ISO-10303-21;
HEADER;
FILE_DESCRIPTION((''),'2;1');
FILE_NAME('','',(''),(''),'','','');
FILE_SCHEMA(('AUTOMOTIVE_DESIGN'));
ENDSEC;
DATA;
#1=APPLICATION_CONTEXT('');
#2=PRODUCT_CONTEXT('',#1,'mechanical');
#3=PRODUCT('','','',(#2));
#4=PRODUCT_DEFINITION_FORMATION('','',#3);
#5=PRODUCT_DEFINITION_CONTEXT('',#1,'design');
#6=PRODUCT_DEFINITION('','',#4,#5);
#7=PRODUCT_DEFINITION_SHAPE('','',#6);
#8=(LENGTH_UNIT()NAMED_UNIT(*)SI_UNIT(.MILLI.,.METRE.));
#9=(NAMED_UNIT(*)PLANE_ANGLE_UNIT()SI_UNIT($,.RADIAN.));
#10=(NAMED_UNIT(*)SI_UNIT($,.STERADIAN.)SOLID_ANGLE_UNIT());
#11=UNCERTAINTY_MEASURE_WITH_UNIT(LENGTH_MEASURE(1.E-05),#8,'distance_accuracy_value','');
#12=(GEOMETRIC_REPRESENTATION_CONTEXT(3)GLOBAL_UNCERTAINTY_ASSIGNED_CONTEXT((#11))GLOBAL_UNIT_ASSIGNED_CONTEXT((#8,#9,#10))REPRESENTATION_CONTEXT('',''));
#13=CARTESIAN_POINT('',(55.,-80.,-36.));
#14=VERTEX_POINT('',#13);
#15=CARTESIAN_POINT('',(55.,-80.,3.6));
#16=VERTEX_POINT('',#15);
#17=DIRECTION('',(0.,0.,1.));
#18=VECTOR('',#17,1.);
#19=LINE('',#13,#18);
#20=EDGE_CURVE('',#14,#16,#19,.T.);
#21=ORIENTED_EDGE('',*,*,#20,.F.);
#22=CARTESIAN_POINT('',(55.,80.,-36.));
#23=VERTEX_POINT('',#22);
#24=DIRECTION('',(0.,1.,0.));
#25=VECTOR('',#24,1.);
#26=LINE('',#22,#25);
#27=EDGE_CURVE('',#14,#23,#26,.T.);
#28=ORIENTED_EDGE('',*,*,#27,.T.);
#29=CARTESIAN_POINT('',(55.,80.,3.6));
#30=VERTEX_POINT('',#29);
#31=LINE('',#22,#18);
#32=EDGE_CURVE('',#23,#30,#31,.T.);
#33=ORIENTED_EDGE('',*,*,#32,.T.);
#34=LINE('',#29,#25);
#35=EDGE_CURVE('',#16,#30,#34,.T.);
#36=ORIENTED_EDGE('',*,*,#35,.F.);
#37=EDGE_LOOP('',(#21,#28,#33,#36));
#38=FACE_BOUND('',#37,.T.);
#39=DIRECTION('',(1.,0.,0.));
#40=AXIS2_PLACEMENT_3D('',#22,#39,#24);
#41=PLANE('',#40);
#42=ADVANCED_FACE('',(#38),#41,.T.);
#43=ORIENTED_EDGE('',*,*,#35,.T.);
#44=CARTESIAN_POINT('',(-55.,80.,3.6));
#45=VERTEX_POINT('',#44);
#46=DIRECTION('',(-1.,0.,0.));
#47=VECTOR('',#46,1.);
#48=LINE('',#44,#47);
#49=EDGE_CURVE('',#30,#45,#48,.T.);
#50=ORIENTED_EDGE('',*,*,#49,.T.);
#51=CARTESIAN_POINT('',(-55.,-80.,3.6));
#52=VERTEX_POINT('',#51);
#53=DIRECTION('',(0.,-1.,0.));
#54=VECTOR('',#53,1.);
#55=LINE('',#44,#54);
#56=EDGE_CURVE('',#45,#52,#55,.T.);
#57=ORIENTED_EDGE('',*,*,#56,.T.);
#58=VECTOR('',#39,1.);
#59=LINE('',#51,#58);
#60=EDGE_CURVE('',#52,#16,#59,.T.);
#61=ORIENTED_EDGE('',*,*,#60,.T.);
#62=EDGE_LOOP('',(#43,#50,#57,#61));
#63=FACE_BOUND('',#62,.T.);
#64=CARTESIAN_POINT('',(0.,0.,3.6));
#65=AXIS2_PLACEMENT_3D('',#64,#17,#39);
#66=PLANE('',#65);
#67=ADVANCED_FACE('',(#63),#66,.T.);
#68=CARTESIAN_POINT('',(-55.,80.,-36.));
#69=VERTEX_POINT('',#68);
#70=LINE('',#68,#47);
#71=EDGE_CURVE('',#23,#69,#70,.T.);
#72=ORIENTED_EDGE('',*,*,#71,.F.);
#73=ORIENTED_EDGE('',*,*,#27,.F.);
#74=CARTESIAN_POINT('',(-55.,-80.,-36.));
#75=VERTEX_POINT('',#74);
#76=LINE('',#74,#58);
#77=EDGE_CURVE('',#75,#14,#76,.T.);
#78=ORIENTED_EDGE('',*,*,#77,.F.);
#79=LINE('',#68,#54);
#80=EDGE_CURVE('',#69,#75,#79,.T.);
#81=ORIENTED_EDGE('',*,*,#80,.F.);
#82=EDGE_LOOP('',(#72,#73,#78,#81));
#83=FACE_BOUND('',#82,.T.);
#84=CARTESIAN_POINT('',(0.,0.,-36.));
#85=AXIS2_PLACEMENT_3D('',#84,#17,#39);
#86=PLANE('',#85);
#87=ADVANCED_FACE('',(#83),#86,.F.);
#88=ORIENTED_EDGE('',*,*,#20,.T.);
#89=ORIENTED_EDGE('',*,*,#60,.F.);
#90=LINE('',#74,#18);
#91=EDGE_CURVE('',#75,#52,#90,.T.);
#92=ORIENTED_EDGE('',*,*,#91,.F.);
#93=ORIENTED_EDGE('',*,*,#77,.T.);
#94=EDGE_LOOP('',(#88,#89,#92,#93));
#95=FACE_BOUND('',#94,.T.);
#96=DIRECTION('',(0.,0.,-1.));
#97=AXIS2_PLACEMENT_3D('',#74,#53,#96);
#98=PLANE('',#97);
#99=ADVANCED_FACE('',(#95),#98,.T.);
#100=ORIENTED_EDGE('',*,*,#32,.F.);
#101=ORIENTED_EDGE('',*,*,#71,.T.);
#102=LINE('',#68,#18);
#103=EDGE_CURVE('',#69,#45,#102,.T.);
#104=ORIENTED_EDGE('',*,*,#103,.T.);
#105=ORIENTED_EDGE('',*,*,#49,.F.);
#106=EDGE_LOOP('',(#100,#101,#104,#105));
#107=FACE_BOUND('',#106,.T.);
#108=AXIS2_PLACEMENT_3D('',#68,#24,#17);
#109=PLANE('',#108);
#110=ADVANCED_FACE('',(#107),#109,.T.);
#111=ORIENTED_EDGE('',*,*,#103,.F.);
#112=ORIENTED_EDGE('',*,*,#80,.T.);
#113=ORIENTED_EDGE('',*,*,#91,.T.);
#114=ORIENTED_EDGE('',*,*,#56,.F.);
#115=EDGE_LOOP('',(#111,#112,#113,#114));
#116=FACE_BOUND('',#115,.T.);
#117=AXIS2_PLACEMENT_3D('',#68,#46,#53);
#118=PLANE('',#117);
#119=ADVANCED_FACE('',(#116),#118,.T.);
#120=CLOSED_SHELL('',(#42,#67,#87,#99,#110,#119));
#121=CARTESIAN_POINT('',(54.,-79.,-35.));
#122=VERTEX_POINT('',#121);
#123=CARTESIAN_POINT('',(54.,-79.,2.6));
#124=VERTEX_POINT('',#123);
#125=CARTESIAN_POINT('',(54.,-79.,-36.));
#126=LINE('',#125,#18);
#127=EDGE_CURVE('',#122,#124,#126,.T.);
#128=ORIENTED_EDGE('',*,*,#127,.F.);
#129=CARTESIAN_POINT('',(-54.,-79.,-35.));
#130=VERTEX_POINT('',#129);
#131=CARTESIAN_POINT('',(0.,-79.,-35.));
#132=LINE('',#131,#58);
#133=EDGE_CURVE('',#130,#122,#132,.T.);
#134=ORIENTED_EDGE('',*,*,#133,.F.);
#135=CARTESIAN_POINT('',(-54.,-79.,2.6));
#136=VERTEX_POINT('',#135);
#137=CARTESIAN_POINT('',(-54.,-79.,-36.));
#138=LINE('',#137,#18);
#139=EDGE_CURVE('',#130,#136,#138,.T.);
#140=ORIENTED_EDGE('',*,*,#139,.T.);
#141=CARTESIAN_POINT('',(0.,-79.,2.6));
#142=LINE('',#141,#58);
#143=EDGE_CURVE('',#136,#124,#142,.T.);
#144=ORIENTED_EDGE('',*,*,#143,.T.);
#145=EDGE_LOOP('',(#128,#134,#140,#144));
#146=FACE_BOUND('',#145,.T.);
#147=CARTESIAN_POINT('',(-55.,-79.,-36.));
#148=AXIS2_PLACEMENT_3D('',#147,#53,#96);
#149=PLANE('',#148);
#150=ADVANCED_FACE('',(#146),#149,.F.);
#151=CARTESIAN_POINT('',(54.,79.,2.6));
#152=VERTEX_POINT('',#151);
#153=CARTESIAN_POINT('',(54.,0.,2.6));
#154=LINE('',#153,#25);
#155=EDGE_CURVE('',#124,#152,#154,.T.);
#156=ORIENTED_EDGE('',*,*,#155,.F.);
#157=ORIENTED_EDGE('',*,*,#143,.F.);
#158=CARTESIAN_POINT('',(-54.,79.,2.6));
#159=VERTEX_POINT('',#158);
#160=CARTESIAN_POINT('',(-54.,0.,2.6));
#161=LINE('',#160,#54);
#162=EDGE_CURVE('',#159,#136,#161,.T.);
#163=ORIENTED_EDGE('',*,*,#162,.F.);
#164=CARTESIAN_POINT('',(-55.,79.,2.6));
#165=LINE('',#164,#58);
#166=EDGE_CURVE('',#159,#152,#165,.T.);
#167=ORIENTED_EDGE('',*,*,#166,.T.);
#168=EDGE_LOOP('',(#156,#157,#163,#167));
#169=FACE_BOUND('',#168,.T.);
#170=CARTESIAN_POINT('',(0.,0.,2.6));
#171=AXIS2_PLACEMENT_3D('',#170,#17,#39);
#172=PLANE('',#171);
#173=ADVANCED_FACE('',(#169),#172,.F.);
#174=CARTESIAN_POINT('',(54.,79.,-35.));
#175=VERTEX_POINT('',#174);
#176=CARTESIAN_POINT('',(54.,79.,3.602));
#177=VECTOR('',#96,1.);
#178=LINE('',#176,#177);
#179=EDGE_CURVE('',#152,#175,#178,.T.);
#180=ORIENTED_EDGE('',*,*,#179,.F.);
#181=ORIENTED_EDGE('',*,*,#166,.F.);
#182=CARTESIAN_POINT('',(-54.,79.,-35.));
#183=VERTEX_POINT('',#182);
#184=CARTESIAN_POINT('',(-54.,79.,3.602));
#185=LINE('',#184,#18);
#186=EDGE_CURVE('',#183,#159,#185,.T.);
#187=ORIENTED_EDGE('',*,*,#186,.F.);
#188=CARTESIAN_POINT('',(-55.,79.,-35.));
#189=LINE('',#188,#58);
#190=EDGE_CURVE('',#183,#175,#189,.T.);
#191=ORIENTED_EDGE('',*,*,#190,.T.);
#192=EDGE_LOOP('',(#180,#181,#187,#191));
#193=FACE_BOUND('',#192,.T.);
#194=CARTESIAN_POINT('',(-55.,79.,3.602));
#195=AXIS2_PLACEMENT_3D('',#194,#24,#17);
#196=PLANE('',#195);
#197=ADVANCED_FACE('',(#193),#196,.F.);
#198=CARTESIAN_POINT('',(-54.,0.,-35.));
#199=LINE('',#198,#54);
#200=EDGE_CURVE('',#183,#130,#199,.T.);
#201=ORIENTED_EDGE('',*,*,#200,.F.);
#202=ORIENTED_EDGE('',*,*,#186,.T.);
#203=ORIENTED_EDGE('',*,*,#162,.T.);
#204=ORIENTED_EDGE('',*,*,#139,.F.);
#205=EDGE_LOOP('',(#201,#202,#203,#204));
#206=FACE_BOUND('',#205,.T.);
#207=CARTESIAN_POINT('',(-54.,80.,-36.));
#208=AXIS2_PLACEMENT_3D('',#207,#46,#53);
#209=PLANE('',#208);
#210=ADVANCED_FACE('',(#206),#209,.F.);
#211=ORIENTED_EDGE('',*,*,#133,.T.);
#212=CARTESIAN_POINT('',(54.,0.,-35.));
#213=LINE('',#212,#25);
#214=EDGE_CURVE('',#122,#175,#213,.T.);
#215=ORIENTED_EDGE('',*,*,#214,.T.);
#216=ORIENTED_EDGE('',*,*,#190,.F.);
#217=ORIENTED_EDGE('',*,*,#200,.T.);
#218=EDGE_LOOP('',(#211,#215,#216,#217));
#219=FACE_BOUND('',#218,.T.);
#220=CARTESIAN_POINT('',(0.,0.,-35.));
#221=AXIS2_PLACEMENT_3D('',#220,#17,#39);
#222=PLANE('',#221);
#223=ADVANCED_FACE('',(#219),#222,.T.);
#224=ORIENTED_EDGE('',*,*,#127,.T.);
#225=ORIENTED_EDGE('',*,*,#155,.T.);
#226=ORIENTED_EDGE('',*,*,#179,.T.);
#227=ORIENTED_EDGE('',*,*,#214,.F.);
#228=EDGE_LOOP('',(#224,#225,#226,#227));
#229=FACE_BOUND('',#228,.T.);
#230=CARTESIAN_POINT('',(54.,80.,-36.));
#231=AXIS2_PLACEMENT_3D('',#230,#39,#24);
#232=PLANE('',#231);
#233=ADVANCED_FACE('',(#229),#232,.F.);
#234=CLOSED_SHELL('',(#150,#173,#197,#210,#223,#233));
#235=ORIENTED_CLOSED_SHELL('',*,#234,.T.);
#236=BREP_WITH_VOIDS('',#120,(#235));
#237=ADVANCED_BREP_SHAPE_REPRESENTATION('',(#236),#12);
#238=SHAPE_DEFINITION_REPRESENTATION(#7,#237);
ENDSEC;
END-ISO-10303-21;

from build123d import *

# Parameters (mm, degrees)
ESTRUSIONE_ESTRUSIONE2_DEPTH      = 3.6
ESTRUSIONE_ESTRUSIONE2_DEPTH_BACK = 36
SCHIZZO1_W                        = 110
SCHIZZO1_H                        = 160
SVUOTA3_T                         = -1
ESTRUSIONE_ESTRUSIONE3_REACH      = 106.475
SCHIZZO32_W                       = 110
SCHIZZO32_H                       = 1


with BuildPart() as part:
    # Schizzo1 → Estrusione-Estrusione2 (new, two sides: drawn at the far end of the back side and taken through both)
    with BuildSketch(Plane.XY.offset(-ESTRUSIONE_ESTRUSIONE2_DEPTH_BACK)):
        Rectangle(SCHIZZO1_W, SCHIZZO1_H)
    extrude(amount=ESTRUSIONE_ESTRUSIONE2_DEPTH + ESTRUSIONE_ESTRUSIONE2_DEPTH_BACK)

    # Svuota3
    svuota3_openings = [part.faces().sort_by_distance(p)[0] for p in [
        (0, 80, -16.2),
    ]]
    offset(amount=SVUOTA3_T, openings=svuota3_openings, kind=Kind.INTERSECTION)

    # Schizzo32 → Estrusione-Estrusione3 (add, up to next)
    with BuildSketch(Plane.XY.offset(-35), mode=Mode.PRIVATE) as estrusione_estrusione3_sk1:
        with Locations((0, 79.5)):
            Rectangle(SCHIZZO32_W, SCHIZZO32_H)
    estrusione_estrusione3_tool1 = extrude(estrusione_estrusione3_sk1.sketch, amount=ESTRUSIONE_ESTRUSIONE3_REACH, mode=Mode.PRIVATE) - part.part
    add(estrusione_estrusione3_tool1.solids().sort_by_distance((0, 79.5, -35))[0])


solid = part.part
